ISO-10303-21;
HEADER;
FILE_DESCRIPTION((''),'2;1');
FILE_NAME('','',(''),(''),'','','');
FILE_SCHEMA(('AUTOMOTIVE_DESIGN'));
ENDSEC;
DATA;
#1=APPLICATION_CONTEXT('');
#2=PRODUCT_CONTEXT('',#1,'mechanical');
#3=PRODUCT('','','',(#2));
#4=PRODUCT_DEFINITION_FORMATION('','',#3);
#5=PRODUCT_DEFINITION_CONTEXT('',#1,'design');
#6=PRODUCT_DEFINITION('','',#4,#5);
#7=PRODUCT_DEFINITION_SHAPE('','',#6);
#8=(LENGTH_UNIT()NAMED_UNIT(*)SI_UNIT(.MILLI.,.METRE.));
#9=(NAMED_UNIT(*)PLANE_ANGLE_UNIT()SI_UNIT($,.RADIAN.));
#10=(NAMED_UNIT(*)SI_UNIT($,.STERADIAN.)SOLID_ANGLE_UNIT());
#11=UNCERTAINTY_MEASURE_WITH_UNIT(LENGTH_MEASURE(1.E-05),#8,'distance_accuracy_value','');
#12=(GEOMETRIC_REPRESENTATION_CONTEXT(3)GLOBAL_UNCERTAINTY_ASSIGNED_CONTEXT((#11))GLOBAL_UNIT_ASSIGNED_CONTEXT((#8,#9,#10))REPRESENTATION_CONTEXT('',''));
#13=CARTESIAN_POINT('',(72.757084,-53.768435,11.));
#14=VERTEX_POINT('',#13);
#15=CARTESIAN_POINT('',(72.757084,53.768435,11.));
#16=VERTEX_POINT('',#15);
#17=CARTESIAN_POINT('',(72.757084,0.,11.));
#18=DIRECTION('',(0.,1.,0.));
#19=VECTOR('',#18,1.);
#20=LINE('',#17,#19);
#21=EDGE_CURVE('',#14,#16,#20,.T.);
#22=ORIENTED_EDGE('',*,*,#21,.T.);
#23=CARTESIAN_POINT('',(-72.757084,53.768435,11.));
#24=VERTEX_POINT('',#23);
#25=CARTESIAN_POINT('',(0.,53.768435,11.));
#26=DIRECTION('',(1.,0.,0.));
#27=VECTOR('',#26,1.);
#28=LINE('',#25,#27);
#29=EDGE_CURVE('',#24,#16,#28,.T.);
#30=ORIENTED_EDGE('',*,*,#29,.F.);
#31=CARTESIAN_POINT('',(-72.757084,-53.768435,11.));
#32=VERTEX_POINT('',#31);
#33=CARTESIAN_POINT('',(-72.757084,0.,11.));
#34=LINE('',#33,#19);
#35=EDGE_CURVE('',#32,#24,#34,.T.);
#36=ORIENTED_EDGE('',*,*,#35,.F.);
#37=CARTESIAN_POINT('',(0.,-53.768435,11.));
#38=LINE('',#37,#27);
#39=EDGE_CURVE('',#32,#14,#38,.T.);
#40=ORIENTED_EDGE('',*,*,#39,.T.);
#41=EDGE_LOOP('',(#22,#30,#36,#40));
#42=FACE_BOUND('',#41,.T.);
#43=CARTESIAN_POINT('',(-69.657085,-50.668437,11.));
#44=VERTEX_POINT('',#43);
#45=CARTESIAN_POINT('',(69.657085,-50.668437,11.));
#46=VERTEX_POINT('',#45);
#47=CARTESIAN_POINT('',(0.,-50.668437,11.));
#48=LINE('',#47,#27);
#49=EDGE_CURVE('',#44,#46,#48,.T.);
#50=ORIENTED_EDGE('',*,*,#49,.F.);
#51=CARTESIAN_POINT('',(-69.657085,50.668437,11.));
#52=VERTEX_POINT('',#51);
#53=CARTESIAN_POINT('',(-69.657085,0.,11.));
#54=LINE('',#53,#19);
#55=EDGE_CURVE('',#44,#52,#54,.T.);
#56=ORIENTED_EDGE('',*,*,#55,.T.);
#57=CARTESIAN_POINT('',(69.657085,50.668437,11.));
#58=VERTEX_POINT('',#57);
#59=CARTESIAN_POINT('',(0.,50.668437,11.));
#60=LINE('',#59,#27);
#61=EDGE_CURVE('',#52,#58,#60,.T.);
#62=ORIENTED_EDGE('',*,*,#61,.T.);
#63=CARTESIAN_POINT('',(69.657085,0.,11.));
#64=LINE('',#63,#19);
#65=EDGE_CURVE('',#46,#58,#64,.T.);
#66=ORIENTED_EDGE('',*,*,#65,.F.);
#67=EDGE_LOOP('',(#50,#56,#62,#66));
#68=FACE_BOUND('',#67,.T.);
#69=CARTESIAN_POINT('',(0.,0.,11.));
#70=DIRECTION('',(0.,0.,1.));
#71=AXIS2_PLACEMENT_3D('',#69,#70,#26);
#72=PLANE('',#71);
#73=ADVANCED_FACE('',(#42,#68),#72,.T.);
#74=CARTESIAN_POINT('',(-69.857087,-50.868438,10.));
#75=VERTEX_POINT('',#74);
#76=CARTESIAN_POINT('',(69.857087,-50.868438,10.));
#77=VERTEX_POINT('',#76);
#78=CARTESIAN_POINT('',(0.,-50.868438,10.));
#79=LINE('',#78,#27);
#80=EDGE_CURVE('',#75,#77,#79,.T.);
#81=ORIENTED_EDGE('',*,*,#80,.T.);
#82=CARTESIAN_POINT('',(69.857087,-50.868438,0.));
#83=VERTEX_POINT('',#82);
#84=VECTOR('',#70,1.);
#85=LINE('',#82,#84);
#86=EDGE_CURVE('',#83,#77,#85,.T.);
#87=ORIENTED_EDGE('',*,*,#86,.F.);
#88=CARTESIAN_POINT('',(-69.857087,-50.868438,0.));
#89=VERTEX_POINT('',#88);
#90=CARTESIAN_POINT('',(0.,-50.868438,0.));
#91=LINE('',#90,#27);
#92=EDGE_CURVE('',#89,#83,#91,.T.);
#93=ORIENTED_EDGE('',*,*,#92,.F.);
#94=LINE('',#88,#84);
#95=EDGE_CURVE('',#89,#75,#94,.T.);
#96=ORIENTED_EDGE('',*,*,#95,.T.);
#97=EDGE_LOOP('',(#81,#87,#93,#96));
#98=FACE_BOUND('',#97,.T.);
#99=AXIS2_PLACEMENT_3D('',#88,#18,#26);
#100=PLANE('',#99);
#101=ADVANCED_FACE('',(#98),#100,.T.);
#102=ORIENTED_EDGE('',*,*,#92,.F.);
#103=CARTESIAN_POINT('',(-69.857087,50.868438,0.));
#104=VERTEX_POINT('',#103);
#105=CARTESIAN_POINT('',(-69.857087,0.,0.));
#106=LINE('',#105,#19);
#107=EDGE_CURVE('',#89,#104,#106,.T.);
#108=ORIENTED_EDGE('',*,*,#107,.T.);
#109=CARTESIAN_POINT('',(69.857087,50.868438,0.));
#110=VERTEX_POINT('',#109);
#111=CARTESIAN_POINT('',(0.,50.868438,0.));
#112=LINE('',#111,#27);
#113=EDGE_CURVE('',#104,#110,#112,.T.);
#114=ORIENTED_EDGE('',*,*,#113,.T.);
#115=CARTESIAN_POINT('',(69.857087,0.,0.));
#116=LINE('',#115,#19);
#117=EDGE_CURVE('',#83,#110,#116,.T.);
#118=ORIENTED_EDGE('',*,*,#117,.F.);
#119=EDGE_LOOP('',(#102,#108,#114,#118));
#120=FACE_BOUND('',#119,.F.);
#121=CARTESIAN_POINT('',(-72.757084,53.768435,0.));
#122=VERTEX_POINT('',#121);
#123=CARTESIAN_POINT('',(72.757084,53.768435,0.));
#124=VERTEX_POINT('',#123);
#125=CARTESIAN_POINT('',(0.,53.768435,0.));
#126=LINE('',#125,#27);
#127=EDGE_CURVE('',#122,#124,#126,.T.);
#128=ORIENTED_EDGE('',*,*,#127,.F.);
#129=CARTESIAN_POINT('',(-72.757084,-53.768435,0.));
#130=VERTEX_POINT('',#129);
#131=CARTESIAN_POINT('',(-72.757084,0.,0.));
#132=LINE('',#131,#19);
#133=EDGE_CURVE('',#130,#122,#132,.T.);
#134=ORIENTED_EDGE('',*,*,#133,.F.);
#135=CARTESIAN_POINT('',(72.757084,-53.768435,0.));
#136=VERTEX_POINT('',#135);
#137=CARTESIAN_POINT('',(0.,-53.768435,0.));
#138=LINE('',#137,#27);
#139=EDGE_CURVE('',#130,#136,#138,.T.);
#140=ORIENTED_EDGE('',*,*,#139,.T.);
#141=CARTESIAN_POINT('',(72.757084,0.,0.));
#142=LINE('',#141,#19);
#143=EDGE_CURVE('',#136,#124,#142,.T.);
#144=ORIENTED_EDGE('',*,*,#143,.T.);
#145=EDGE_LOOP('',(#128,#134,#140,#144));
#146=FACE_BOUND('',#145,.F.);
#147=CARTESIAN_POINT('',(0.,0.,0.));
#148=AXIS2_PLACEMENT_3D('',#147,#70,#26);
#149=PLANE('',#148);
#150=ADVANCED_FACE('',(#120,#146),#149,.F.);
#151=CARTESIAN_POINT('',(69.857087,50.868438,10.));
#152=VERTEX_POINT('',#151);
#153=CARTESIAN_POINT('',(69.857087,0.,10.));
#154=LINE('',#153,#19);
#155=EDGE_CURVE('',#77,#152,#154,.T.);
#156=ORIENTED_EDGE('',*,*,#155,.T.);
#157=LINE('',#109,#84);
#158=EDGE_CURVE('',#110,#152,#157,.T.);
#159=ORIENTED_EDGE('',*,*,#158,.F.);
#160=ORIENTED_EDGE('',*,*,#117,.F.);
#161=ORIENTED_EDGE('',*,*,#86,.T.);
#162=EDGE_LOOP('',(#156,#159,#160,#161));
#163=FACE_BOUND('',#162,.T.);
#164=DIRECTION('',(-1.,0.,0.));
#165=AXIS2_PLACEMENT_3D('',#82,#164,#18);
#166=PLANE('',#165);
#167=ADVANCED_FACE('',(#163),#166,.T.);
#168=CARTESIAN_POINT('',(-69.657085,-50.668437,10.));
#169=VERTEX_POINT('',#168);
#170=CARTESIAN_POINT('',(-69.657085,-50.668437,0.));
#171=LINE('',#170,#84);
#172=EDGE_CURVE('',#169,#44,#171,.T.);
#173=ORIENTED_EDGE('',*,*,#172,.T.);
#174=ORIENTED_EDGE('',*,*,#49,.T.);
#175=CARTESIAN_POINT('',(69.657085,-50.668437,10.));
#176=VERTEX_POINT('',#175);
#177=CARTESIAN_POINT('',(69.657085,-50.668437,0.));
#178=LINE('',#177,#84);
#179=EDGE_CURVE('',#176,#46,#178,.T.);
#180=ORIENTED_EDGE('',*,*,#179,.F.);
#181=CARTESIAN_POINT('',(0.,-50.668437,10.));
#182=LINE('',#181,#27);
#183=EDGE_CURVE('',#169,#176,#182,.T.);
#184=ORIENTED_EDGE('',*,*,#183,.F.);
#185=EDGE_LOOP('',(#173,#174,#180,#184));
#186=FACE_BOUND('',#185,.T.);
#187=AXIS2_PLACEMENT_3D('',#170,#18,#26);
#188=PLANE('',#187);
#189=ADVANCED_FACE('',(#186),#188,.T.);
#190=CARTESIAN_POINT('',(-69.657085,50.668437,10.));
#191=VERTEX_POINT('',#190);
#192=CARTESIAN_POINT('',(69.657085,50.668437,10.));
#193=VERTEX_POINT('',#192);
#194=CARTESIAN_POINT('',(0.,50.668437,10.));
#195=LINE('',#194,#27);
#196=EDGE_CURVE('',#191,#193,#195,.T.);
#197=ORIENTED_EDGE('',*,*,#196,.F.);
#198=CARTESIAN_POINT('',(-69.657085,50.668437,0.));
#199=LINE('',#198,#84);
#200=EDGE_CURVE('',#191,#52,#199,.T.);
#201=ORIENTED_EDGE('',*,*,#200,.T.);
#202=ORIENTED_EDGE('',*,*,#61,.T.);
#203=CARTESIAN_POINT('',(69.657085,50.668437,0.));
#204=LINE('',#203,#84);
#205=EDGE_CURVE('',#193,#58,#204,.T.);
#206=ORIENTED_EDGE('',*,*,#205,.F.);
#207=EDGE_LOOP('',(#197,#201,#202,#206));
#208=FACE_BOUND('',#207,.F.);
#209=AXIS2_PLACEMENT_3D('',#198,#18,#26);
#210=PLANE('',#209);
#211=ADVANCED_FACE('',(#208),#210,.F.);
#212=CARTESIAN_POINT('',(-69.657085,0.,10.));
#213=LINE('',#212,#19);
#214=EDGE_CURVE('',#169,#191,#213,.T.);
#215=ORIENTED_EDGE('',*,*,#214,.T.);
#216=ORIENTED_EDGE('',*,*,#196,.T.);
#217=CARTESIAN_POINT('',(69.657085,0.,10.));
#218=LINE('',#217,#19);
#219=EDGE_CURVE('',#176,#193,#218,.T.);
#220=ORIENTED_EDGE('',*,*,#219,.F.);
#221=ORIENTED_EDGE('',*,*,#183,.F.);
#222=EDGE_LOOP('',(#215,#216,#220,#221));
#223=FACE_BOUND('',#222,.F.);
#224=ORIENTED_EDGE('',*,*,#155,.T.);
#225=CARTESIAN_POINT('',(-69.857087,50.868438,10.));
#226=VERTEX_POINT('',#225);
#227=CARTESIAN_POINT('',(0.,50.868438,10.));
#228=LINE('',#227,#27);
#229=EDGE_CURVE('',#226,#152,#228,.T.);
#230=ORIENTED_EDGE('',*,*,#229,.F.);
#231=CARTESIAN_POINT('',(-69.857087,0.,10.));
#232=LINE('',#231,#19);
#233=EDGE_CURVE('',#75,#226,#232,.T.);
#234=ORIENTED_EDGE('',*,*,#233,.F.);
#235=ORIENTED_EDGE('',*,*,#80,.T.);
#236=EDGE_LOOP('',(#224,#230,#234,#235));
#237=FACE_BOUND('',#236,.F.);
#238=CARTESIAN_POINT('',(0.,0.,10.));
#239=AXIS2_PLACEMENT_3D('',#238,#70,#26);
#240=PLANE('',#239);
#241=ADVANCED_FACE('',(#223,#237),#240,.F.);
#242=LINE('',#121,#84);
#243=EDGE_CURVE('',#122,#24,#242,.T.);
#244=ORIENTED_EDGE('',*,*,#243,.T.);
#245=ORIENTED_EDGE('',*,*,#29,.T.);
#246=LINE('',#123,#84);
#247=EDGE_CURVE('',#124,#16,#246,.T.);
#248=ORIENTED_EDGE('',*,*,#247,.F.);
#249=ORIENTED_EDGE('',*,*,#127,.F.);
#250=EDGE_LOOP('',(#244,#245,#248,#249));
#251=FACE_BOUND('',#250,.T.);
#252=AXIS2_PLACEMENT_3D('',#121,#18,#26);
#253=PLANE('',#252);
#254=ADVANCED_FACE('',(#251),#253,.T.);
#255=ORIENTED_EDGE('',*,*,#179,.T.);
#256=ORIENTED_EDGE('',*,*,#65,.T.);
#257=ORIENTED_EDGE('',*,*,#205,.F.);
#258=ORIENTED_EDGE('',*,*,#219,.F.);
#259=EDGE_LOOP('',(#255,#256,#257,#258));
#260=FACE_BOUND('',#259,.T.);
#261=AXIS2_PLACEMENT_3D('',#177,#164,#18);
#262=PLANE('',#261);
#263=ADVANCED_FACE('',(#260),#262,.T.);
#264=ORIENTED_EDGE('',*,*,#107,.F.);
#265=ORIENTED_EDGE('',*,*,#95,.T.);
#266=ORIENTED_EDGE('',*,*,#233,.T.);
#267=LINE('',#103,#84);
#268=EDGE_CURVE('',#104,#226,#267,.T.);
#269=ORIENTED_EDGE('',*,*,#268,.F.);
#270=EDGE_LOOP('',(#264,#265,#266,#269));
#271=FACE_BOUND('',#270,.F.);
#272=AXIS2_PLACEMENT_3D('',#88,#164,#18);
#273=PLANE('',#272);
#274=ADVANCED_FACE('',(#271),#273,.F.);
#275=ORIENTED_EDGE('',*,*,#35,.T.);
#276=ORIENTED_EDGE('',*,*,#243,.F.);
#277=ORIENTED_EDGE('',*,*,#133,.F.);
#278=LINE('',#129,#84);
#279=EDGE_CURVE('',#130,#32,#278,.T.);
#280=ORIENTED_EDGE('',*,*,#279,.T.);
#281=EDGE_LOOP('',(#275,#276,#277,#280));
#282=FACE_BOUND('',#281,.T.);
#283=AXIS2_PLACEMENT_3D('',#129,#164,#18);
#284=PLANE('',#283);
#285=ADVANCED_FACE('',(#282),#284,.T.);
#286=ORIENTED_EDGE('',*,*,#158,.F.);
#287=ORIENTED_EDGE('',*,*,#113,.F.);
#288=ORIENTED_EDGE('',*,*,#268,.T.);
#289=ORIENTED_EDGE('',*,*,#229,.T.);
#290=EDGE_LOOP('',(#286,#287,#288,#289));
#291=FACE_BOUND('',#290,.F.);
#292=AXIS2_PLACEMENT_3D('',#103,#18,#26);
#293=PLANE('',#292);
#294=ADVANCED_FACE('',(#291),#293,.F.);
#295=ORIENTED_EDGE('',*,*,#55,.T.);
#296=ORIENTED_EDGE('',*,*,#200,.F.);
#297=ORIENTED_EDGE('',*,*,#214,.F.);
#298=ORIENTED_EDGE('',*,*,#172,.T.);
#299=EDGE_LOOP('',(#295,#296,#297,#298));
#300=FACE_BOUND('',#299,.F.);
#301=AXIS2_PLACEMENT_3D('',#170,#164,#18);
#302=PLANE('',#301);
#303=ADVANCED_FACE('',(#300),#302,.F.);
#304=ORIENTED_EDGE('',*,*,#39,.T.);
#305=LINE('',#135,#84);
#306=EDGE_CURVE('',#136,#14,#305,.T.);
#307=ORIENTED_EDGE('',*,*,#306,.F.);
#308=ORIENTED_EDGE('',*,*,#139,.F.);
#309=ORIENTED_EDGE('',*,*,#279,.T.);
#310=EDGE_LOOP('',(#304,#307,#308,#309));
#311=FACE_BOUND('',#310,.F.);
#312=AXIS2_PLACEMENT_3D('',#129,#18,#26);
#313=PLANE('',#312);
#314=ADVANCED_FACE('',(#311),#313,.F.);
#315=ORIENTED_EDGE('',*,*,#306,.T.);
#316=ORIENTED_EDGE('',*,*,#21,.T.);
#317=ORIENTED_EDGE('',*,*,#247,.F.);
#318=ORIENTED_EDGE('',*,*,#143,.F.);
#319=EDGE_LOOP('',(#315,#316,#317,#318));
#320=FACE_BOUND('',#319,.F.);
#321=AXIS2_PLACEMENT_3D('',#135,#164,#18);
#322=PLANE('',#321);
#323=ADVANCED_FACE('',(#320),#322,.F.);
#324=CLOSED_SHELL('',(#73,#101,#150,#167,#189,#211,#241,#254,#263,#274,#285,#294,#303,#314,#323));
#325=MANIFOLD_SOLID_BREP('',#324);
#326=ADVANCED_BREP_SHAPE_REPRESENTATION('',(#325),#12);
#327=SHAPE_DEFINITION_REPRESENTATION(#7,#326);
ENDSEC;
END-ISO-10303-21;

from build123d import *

# Parameters (mm, degrees)
F0_W     = 145.514168
F0_H     = 107.53687
F0_W_2   = 139.31417
F0_H_2   = 101.336874
F1_DEPTH = 11
F2_W     = 139.714174
F2_H     = 101.736876
F2_W_2   = 139.31417
F2_H_2   = 101.336874
F3_DEPTH = 10


with BuildPart() as f1:
    # F0 (on Top) → F1 (new body)
    with BuildSketch(Plane.XY):
        Rectangle(F0_W, F0_H)
        Rectangle(F0_W_2, F0_H_2, mode=Mode.SUBTRACT)
    extrude(amount=F1_DEPTH)

    # F2 (on Top) → F3 (cut)
    with BuildSketch(Plane.XY):
        Rectangle(F2_W, F2_H)
        Rectangle(F2_W_2, F2_H_2, mode=Mode.SUBTRACT)
    extrude(amount=F3_DEPTH, mode=Mode.SUBTRACT)


solid = f1.part
